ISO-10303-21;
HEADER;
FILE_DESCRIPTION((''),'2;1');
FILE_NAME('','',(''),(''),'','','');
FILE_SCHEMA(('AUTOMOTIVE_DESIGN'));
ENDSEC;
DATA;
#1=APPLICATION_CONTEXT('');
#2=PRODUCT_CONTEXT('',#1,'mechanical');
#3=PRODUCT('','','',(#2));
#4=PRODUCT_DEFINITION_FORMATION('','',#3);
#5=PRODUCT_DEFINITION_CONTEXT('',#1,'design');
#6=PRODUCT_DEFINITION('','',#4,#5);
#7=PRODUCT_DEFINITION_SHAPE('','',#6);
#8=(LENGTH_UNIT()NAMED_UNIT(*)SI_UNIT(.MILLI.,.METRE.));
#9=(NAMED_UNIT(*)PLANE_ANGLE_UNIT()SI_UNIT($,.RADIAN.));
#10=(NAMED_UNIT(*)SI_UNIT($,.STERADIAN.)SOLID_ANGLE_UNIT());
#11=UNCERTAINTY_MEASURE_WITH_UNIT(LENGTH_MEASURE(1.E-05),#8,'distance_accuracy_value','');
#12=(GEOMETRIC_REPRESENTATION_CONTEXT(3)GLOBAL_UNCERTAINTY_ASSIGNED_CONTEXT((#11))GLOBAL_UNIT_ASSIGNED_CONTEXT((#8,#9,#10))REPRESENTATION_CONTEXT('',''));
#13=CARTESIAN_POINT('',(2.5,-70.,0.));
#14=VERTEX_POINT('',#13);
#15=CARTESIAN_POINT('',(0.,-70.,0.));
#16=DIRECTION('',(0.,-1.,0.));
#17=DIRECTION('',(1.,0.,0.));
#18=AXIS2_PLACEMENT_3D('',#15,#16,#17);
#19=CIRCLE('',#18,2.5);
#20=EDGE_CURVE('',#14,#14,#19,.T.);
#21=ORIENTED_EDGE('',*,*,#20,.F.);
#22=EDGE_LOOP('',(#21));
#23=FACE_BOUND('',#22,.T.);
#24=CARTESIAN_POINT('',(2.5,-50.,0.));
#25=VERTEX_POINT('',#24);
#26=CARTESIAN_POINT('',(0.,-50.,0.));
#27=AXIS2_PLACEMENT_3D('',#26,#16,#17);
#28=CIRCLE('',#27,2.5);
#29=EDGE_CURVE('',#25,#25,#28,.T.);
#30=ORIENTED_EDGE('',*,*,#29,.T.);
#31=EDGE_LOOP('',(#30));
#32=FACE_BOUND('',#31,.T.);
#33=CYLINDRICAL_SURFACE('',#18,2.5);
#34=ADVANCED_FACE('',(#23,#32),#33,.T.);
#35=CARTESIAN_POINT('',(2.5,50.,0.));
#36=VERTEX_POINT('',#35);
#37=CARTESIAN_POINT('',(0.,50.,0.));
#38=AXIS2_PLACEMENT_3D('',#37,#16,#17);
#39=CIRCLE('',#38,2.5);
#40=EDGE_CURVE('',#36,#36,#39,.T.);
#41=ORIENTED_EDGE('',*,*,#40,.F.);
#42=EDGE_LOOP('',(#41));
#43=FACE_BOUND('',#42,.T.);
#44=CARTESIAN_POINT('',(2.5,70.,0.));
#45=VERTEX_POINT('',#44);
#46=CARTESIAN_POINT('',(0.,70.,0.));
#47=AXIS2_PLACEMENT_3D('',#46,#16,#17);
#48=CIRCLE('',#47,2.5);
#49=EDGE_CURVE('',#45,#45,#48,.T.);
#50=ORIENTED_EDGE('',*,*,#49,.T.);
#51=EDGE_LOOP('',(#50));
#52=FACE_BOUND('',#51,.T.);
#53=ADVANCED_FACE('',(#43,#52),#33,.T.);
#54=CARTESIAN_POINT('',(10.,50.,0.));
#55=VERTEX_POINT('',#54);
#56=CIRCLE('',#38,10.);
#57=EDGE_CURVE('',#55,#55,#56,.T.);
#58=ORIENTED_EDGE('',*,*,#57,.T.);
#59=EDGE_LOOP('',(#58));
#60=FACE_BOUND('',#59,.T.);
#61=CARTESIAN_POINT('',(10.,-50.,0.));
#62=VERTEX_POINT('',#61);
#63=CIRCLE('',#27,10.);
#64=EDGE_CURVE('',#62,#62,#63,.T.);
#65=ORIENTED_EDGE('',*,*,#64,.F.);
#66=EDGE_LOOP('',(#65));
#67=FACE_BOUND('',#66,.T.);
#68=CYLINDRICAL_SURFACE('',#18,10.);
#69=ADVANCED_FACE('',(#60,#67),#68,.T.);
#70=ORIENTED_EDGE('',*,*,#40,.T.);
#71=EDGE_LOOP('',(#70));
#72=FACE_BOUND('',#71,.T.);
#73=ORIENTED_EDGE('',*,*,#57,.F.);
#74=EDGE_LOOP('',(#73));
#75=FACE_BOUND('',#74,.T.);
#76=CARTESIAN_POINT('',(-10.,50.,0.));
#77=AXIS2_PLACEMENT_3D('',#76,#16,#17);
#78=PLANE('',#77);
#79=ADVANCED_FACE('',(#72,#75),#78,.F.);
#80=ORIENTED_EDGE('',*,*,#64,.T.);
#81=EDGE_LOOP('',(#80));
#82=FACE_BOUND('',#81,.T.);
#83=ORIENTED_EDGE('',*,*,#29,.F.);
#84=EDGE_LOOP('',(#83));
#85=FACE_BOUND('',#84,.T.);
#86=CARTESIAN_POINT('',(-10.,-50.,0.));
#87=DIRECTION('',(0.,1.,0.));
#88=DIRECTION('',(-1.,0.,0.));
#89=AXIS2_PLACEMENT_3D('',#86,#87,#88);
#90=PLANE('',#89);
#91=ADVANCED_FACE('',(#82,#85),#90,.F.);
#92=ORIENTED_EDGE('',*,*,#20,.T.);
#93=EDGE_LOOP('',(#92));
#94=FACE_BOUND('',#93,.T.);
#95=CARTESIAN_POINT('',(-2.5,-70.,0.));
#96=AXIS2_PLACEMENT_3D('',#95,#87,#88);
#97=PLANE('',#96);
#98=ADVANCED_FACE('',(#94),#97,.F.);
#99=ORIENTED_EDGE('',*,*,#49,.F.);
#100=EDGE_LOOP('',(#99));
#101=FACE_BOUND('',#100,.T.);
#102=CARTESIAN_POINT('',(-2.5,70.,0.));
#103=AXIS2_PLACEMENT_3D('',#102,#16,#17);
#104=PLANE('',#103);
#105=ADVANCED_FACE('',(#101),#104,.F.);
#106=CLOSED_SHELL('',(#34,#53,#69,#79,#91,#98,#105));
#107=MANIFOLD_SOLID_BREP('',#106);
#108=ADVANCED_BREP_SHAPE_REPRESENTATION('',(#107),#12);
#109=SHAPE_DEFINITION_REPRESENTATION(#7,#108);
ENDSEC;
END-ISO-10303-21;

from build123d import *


with BuildPart() as part:
    # Sketch1 → Revolve1 (revolve)
    with BuildSketch(Plane.XY):
        Polygon((-10, -50), (-10, 50), (-2.5, 50), (-2.5, 70), (0, 70), (0, -70), (-2.5, -70), (-2.5, -50), align=None)
    revolve(axis=Axis((0, -70, 0), (0, 1, 0)))


solid = part.part
